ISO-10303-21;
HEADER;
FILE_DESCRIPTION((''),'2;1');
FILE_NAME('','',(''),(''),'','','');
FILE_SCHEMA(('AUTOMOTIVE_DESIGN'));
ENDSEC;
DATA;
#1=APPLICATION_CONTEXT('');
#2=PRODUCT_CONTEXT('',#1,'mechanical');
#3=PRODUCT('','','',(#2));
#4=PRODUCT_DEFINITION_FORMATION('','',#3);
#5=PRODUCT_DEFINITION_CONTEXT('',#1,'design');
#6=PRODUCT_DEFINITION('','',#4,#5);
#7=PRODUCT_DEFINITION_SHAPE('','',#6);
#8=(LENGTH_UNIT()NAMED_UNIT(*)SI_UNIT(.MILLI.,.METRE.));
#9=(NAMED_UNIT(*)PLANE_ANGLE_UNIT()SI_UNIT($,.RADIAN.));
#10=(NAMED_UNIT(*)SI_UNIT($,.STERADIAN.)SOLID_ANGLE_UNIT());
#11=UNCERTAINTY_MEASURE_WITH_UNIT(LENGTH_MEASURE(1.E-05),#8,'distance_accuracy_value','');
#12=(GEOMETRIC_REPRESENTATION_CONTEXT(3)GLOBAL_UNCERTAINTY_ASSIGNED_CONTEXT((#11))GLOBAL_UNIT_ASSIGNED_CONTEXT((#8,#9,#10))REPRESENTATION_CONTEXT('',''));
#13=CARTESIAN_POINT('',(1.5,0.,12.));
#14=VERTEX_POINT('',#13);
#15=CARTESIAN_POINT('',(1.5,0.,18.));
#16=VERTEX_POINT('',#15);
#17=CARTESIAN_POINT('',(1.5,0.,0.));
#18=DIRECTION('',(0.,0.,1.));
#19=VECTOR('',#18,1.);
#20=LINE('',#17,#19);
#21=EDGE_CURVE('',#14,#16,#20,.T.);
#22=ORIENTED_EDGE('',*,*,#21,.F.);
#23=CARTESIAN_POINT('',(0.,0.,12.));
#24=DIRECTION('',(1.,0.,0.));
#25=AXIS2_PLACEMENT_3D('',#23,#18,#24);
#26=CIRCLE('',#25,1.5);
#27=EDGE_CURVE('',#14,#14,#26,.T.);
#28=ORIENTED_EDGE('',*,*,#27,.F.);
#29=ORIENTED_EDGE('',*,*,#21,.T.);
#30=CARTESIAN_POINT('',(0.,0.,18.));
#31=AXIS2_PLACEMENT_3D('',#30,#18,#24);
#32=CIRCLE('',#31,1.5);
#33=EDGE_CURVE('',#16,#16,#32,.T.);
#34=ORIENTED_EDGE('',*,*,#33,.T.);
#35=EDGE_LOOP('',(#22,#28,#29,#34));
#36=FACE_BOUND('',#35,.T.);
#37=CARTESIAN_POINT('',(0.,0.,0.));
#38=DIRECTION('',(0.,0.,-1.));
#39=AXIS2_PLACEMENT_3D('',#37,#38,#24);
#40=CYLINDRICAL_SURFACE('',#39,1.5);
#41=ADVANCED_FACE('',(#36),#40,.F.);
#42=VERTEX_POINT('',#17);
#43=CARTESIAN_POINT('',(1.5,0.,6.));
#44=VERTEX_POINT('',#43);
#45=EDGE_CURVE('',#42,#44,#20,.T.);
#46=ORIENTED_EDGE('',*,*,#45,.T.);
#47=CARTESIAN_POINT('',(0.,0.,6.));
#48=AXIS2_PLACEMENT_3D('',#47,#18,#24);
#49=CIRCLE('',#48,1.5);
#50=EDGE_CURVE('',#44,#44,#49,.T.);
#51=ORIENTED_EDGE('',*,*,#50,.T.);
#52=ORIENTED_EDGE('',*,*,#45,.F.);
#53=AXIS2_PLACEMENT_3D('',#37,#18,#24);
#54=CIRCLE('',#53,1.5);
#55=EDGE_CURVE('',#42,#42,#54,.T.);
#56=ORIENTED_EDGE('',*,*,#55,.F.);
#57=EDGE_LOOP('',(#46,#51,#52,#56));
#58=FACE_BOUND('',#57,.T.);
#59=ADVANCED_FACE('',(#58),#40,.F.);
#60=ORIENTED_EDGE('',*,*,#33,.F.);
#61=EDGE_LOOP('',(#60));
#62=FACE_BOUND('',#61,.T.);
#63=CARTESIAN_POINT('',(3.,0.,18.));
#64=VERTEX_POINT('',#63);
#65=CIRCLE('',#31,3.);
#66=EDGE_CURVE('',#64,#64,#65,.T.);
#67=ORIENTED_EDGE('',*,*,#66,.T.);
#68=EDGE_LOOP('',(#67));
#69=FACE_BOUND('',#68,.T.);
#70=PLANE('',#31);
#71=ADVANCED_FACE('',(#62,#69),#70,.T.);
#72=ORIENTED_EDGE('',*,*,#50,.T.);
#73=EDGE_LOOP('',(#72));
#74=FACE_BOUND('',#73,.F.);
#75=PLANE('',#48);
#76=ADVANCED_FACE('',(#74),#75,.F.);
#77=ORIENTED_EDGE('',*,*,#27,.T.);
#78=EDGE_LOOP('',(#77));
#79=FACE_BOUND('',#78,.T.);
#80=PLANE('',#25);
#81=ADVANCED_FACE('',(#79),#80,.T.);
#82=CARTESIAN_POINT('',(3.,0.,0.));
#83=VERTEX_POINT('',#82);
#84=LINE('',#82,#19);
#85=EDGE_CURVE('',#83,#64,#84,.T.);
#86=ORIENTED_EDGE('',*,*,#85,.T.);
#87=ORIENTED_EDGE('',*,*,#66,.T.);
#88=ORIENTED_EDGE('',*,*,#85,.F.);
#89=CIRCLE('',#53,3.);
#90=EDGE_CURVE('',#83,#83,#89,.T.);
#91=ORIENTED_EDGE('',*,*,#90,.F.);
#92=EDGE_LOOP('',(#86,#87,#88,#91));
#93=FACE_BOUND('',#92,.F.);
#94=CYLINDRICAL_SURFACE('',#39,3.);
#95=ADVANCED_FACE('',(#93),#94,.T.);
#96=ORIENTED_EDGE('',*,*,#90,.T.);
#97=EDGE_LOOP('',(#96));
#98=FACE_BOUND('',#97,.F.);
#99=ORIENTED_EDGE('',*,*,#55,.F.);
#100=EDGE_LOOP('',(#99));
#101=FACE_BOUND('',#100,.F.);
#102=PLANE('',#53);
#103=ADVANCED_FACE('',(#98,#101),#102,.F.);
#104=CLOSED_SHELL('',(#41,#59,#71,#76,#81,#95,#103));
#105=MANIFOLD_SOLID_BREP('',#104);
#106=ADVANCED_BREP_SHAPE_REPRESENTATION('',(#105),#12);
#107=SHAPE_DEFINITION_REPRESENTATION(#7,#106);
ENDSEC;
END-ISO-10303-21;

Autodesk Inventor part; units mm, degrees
ref_plane "YZ Plane" through (0, 0, 0) normal (1, 0, 0) x (0, 1, 0)
ref_plane "XZ Plane" through (0, 0, 0) normal (0, 1, 0) x (-1, 0, 0)
sketch "スケッチ1" plane through (0, 0, 0) normal (0, 0, 1) x (1, 0, 0)
  circle A0 centre (0, 0) radius 3
  circle A1 centre (0, 0) radius 1.5
  dimension "d0" = 6
  dimension "d1" = 3
extrude "押し出し1" add sketch "スケッチ1" along normal blind 18
ref_plane "作業平面1" through (0, 0, 12) normal (0, 0, 1) x (1, 0, 0)
sketch "スケッチ3" plane through (0, 0, 12) normal (0, 0, 1) x (1, 0, 0)
  circle A0 centre (0, 0) radius 1.5 projected
  circle A1 centre (0, 0) radius 3 projected
extrude "押し出し2" add sketch "スケッチ3" against normal blind 6 contours A0
properties part number "スペーサーm3-18　簡易筒型" material "アルミニウム 2014-T4"
